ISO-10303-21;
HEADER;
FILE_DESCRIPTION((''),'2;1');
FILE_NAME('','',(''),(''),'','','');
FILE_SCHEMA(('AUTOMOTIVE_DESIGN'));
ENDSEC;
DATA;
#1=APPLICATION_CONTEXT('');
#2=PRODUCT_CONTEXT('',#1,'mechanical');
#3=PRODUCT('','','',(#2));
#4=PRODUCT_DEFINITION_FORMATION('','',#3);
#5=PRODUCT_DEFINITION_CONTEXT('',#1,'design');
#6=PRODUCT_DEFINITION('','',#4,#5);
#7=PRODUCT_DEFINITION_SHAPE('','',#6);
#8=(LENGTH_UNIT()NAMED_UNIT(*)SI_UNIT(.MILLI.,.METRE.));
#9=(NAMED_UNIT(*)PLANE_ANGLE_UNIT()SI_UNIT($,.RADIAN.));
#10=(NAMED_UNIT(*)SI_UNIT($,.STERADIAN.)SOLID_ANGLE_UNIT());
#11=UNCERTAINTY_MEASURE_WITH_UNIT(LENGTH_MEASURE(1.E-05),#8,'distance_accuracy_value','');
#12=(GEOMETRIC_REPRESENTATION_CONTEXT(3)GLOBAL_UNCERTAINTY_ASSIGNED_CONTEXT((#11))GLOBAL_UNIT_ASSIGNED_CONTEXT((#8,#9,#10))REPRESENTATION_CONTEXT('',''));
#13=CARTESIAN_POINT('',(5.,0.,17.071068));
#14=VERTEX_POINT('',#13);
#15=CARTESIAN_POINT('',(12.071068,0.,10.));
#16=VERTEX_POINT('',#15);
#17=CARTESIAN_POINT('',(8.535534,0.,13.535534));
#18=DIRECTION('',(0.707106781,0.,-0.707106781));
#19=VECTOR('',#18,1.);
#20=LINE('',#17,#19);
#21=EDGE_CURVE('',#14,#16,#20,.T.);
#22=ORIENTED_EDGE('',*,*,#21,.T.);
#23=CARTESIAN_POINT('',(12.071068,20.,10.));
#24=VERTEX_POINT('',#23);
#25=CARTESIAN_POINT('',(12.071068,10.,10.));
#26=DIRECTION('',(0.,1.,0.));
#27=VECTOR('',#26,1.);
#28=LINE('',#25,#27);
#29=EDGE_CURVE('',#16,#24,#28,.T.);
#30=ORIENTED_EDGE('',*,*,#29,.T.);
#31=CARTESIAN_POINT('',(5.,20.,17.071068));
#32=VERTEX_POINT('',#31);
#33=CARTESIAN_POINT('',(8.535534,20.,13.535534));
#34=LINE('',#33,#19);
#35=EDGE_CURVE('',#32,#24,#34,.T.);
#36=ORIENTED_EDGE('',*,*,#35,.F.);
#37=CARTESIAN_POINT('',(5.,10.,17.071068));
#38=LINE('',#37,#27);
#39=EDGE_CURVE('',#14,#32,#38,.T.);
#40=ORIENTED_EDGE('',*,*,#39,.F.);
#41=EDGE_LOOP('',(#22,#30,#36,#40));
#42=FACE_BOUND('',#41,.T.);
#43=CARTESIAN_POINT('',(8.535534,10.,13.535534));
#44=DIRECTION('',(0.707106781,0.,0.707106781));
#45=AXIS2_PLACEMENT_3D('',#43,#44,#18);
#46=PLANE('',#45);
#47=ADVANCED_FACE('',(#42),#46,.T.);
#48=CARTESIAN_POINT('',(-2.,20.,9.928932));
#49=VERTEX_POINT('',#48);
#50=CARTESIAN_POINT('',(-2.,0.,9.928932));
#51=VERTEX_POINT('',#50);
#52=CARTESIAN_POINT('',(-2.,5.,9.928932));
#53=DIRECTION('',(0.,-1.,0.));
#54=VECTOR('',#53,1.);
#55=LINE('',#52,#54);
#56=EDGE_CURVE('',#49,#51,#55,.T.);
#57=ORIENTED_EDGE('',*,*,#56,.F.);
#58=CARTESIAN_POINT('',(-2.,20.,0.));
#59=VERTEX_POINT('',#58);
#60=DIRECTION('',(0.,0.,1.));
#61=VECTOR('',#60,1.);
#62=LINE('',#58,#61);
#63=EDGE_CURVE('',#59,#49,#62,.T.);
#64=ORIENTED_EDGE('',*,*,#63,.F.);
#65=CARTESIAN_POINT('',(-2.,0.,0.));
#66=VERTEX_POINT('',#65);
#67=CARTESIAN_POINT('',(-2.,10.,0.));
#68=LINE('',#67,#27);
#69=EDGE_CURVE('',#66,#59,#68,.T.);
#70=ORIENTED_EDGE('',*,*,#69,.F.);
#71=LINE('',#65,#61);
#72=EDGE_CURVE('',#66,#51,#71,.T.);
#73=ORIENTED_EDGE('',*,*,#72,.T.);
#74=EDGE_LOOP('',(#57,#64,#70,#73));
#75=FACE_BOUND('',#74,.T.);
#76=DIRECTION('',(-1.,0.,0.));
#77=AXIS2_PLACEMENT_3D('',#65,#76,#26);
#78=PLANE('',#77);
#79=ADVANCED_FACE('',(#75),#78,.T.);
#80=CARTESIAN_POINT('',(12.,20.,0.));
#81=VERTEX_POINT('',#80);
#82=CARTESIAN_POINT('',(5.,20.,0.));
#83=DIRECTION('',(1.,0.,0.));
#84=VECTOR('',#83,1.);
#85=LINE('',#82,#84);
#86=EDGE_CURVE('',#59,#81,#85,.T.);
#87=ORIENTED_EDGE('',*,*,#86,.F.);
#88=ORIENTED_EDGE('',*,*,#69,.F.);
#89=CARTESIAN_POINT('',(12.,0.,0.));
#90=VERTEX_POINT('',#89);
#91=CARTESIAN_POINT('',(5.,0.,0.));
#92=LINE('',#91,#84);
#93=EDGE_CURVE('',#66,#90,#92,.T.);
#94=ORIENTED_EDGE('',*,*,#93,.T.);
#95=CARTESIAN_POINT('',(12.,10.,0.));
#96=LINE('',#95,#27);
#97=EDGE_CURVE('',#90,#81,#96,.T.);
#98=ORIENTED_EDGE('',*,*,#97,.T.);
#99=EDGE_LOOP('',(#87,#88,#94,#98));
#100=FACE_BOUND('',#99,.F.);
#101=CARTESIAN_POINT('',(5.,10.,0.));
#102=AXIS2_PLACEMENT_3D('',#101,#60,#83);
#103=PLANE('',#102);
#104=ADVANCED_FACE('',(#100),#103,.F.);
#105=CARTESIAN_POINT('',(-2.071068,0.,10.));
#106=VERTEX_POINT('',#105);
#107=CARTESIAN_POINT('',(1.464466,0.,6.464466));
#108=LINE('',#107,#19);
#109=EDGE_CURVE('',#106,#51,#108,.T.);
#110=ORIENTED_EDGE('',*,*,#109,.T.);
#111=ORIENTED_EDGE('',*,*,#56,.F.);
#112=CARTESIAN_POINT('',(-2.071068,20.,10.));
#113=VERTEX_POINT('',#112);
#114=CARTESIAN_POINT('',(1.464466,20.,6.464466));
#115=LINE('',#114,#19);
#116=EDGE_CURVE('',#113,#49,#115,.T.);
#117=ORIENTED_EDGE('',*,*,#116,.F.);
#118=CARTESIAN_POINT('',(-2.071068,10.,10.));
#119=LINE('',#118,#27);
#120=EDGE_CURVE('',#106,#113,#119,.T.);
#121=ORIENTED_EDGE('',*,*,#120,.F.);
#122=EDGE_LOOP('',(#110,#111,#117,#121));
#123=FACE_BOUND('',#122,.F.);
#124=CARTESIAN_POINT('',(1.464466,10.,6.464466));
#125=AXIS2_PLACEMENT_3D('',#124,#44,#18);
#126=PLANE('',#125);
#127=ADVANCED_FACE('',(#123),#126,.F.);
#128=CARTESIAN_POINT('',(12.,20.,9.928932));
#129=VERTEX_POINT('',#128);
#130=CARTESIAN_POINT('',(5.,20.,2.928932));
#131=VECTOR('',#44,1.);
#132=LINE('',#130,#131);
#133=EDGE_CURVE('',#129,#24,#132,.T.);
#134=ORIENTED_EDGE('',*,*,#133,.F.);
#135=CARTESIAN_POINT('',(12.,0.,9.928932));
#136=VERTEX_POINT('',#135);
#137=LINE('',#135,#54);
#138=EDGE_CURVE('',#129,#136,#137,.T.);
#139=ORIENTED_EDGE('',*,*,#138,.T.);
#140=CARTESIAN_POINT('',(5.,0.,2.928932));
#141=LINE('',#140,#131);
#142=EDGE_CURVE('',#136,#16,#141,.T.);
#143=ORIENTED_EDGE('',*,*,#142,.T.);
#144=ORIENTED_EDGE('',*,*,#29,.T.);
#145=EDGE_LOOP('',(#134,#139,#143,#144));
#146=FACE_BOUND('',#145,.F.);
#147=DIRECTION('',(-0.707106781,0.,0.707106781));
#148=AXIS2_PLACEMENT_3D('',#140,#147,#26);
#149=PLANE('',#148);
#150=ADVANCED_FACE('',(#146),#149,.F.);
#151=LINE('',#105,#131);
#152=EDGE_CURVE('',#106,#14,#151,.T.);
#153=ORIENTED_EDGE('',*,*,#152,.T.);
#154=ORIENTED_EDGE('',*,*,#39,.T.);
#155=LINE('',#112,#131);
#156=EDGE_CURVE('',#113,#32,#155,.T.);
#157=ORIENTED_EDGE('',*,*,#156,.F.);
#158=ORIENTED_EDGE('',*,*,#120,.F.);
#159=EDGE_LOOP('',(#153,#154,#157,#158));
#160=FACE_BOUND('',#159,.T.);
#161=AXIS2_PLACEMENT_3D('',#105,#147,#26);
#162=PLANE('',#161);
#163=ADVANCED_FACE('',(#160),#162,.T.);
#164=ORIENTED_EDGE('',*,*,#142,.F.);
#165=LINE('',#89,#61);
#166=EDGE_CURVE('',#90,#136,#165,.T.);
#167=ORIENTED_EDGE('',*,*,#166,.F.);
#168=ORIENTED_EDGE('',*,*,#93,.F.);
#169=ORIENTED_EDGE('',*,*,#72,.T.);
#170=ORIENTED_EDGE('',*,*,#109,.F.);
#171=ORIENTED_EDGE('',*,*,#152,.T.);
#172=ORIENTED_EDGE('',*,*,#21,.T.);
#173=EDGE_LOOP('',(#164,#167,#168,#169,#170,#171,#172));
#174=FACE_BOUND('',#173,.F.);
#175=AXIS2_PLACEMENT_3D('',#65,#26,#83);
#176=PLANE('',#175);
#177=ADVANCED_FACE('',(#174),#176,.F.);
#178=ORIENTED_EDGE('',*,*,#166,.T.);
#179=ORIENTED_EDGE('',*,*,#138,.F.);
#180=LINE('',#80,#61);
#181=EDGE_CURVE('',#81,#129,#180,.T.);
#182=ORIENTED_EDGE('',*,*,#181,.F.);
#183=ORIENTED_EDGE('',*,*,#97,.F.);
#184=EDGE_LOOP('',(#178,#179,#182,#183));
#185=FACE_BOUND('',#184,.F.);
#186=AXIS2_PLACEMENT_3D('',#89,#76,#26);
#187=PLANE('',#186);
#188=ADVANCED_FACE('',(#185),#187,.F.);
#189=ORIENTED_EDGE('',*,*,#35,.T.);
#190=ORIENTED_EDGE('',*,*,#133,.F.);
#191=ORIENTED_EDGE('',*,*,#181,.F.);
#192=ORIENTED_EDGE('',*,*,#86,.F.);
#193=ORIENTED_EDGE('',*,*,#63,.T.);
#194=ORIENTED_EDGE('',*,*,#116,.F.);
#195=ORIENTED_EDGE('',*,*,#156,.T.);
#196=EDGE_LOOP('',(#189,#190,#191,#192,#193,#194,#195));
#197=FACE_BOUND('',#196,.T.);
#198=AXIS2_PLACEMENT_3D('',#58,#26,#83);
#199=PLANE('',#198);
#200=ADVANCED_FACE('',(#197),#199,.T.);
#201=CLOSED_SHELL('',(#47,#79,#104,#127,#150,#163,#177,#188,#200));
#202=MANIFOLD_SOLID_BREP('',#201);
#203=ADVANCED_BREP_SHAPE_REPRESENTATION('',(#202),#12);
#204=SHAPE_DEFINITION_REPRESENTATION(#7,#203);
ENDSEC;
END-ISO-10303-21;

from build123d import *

# Parameters (mm, degrees)
BOX001_W            = 14
BOX001_H            = 20
BOX001_DEPTH        = 10
BOX_W               = 10
BOX_H               = 20
BOX_DEPTH           = 10
BOX_PLACEMENT_ANGLE = 45


with BuildPart() as cubo001:
    # Box001 → Box001 (new body)
    with BuildSketch(Plane(origin=(-2, 0, 0), x_dir=(1, 0, 0), z_dir=(0, 0, 1))):
        with Locations((7, 10)):
            Rectangle(BOX001_W, BOX001_H)
    extrude(amount=BOX001_DEPTH)


with BuildPart() as fusion:
    # Box → Box (new body)
    with BuildSketch(Plane.XY):
        with Locations((5, 10)):
            Rectangle(BOX_W, BOX_H)
    extrude(amount=BOX_DEPTH)


with BuildPart() as fusion_1:
    # Box placement: moved
    add(fusion.part.moved(Location((-2.071068, 0, 10))).rotate(Axis((-2.071068, 0, 10), (0, 1, 0)), BOX_PLACEMENT_ANGLE))

    # Fusion: union Cubo001
    add(cubo001.part)


solid = fusion_1.part
